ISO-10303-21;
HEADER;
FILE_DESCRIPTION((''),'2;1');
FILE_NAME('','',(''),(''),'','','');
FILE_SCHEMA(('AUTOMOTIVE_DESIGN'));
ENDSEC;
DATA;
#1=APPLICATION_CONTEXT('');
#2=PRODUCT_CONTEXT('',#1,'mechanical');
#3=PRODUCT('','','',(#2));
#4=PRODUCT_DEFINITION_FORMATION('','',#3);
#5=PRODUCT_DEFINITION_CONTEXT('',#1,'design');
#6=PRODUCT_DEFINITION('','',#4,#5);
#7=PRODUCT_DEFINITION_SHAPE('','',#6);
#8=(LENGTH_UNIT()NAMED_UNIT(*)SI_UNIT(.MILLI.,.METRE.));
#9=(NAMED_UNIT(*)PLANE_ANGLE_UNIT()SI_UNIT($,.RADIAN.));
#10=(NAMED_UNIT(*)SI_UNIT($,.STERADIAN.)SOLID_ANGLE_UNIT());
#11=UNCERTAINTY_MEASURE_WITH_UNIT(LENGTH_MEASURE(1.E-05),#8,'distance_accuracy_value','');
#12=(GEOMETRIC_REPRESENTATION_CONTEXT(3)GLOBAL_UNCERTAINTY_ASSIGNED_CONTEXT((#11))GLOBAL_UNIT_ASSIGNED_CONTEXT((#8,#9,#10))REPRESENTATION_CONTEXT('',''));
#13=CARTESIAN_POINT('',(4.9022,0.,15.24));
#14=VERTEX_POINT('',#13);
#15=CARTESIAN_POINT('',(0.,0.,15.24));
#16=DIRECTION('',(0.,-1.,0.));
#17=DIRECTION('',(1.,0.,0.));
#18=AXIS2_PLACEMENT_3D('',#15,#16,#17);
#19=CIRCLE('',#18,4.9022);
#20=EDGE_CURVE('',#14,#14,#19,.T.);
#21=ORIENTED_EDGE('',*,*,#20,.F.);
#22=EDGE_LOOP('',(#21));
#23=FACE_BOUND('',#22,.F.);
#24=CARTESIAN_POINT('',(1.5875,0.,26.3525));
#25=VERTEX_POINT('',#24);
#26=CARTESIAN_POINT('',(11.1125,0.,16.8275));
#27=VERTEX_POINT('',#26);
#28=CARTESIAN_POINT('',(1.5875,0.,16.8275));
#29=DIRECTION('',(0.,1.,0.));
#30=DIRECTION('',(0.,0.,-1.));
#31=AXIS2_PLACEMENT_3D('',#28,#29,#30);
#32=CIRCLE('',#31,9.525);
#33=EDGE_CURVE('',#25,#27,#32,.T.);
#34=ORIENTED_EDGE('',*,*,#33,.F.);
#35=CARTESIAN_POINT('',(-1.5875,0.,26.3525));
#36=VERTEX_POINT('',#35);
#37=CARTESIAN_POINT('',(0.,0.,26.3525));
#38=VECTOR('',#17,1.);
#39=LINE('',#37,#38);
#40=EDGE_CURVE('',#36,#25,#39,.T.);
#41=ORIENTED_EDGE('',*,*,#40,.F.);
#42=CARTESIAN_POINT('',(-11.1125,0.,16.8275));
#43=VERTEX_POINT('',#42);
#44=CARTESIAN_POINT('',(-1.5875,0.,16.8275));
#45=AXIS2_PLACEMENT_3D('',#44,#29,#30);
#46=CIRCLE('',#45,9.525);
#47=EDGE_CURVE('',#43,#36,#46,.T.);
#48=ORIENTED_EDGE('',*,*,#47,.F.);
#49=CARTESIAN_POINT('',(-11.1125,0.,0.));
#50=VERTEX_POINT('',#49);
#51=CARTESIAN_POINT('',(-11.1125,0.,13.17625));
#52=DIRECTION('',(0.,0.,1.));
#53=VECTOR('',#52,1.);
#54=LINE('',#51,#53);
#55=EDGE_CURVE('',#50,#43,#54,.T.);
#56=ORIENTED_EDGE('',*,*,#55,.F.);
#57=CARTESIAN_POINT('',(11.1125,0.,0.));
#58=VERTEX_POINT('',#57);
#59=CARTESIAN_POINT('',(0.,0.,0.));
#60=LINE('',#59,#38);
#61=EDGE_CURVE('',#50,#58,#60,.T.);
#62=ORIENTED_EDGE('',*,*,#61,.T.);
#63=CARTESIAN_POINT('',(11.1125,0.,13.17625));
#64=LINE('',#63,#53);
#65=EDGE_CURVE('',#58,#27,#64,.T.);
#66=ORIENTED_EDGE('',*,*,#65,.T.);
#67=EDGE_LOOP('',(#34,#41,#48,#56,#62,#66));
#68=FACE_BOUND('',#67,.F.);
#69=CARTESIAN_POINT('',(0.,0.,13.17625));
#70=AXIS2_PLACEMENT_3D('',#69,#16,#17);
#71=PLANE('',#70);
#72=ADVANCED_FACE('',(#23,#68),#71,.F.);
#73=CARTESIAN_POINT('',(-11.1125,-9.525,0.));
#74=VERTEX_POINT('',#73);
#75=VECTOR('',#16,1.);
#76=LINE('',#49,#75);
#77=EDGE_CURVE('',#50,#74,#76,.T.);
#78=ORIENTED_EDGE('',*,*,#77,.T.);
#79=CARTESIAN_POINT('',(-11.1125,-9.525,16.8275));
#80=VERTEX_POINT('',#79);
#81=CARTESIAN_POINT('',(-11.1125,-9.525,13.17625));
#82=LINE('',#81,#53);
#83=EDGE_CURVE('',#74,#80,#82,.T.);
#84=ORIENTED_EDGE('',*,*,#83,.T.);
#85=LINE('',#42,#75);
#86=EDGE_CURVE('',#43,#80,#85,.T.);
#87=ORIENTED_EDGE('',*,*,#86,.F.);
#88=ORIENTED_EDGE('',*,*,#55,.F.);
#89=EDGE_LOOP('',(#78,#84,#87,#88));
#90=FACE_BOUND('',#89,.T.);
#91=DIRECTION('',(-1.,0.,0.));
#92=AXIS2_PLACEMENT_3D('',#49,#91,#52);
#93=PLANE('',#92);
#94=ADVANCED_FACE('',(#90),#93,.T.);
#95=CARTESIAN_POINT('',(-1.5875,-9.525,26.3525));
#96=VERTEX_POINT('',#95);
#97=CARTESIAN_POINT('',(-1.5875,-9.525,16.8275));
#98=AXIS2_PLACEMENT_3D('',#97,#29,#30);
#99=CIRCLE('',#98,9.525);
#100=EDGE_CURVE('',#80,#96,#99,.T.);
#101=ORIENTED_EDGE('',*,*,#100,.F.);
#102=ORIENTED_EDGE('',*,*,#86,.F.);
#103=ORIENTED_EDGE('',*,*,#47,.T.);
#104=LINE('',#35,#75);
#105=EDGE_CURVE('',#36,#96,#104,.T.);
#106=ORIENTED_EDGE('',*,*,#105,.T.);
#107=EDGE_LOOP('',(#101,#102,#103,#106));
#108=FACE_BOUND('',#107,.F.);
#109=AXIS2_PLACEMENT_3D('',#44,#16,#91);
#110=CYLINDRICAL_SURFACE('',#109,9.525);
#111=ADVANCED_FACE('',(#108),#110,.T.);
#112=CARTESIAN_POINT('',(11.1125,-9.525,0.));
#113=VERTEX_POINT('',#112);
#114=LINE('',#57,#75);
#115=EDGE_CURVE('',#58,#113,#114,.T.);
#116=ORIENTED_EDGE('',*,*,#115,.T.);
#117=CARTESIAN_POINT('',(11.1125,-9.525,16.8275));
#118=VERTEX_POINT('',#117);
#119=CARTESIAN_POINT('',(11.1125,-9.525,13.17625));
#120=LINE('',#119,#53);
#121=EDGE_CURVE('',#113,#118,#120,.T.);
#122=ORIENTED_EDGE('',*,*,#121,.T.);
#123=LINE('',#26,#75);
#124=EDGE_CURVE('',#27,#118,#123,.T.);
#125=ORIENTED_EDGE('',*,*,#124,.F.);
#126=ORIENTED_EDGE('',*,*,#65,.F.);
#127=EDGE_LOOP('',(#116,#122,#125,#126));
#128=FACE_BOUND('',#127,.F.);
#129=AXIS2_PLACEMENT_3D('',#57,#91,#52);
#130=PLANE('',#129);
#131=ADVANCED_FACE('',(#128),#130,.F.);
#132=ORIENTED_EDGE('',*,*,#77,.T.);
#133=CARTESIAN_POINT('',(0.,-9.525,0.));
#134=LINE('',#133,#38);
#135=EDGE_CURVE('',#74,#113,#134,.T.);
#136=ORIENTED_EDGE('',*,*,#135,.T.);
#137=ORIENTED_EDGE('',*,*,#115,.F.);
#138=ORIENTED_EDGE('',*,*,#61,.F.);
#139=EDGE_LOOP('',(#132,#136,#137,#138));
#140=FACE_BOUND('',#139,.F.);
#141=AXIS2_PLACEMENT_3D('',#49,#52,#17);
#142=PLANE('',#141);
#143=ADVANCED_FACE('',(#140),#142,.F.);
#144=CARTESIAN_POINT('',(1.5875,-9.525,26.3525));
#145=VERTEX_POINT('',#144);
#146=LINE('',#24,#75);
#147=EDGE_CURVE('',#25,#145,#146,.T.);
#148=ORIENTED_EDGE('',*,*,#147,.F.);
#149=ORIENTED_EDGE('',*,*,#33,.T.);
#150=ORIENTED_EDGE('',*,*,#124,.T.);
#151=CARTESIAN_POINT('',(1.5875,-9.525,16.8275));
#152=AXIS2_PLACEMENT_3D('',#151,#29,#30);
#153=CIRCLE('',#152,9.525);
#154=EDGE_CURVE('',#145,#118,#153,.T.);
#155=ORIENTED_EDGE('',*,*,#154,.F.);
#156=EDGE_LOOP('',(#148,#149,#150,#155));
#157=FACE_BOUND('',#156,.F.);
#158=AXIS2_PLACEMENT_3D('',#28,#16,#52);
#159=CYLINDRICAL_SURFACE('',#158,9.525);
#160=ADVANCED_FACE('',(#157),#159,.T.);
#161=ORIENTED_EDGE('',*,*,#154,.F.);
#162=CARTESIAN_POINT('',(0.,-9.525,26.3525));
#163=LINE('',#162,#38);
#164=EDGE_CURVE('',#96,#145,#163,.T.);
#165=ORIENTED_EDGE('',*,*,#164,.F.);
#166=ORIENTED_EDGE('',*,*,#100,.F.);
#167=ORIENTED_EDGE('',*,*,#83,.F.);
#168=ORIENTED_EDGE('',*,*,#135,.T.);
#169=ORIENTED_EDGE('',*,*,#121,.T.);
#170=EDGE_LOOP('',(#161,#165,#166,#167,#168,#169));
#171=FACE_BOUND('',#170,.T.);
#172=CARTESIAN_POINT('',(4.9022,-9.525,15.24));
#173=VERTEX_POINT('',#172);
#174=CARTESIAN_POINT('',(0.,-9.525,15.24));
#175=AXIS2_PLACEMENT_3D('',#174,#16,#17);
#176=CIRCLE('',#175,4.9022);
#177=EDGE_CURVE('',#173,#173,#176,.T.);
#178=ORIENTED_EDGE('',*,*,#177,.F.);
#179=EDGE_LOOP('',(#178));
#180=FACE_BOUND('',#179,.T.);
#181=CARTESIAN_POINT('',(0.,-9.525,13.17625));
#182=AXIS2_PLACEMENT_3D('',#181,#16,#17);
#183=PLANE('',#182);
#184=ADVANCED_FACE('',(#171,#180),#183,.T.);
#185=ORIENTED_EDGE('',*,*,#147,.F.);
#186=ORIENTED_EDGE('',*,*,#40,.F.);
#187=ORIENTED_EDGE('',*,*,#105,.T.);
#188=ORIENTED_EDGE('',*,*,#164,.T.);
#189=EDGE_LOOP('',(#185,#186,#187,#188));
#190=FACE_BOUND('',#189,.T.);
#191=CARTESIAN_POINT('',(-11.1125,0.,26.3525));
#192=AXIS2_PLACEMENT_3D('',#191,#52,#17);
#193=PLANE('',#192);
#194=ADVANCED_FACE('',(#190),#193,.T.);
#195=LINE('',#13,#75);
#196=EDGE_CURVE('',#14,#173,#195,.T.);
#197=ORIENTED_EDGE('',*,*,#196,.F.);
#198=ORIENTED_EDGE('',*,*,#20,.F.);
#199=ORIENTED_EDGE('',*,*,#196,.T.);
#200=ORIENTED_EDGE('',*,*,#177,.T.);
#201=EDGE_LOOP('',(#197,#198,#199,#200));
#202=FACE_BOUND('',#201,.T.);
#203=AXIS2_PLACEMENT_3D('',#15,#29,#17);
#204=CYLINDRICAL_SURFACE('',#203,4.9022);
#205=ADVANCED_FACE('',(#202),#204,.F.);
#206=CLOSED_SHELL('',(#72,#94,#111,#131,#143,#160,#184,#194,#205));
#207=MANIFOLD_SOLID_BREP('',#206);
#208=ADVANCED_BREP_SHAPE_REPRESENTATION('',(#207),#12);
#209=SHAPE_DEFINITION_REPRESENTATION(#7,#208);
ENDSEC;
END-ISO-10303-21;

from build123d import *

# Parameters (mm, degrees)
F0_W     = 22.225
F0_H     = 26.3525
F0_R     = 4.9022
F1_DEPTH = 9.525
F2_R     = 9.525


with BuildPart() as f1:
    # F0 (on Front) → F1 (new body)
    with BuildSketch(Plane.XZ):
        with Locations((0, 13.17625)):
            Rectangle(F0_W, F0_H)
        with Locations((0, 15.24)):
            Circle(F0_R, mode=Mode.SUBTRACT)
    extrude(amount=F1_DEPTH)

    # F2
    f2_edges = [f1.edges().sort_by_distance(p)[0] for p in [
        (11.1125, -4.7625, 26.3525),
        (-11.1125, -4.7625, 26.3525),
    ]]
    fillet(f2_edges, radius=F2_R)


solid = f1.part
